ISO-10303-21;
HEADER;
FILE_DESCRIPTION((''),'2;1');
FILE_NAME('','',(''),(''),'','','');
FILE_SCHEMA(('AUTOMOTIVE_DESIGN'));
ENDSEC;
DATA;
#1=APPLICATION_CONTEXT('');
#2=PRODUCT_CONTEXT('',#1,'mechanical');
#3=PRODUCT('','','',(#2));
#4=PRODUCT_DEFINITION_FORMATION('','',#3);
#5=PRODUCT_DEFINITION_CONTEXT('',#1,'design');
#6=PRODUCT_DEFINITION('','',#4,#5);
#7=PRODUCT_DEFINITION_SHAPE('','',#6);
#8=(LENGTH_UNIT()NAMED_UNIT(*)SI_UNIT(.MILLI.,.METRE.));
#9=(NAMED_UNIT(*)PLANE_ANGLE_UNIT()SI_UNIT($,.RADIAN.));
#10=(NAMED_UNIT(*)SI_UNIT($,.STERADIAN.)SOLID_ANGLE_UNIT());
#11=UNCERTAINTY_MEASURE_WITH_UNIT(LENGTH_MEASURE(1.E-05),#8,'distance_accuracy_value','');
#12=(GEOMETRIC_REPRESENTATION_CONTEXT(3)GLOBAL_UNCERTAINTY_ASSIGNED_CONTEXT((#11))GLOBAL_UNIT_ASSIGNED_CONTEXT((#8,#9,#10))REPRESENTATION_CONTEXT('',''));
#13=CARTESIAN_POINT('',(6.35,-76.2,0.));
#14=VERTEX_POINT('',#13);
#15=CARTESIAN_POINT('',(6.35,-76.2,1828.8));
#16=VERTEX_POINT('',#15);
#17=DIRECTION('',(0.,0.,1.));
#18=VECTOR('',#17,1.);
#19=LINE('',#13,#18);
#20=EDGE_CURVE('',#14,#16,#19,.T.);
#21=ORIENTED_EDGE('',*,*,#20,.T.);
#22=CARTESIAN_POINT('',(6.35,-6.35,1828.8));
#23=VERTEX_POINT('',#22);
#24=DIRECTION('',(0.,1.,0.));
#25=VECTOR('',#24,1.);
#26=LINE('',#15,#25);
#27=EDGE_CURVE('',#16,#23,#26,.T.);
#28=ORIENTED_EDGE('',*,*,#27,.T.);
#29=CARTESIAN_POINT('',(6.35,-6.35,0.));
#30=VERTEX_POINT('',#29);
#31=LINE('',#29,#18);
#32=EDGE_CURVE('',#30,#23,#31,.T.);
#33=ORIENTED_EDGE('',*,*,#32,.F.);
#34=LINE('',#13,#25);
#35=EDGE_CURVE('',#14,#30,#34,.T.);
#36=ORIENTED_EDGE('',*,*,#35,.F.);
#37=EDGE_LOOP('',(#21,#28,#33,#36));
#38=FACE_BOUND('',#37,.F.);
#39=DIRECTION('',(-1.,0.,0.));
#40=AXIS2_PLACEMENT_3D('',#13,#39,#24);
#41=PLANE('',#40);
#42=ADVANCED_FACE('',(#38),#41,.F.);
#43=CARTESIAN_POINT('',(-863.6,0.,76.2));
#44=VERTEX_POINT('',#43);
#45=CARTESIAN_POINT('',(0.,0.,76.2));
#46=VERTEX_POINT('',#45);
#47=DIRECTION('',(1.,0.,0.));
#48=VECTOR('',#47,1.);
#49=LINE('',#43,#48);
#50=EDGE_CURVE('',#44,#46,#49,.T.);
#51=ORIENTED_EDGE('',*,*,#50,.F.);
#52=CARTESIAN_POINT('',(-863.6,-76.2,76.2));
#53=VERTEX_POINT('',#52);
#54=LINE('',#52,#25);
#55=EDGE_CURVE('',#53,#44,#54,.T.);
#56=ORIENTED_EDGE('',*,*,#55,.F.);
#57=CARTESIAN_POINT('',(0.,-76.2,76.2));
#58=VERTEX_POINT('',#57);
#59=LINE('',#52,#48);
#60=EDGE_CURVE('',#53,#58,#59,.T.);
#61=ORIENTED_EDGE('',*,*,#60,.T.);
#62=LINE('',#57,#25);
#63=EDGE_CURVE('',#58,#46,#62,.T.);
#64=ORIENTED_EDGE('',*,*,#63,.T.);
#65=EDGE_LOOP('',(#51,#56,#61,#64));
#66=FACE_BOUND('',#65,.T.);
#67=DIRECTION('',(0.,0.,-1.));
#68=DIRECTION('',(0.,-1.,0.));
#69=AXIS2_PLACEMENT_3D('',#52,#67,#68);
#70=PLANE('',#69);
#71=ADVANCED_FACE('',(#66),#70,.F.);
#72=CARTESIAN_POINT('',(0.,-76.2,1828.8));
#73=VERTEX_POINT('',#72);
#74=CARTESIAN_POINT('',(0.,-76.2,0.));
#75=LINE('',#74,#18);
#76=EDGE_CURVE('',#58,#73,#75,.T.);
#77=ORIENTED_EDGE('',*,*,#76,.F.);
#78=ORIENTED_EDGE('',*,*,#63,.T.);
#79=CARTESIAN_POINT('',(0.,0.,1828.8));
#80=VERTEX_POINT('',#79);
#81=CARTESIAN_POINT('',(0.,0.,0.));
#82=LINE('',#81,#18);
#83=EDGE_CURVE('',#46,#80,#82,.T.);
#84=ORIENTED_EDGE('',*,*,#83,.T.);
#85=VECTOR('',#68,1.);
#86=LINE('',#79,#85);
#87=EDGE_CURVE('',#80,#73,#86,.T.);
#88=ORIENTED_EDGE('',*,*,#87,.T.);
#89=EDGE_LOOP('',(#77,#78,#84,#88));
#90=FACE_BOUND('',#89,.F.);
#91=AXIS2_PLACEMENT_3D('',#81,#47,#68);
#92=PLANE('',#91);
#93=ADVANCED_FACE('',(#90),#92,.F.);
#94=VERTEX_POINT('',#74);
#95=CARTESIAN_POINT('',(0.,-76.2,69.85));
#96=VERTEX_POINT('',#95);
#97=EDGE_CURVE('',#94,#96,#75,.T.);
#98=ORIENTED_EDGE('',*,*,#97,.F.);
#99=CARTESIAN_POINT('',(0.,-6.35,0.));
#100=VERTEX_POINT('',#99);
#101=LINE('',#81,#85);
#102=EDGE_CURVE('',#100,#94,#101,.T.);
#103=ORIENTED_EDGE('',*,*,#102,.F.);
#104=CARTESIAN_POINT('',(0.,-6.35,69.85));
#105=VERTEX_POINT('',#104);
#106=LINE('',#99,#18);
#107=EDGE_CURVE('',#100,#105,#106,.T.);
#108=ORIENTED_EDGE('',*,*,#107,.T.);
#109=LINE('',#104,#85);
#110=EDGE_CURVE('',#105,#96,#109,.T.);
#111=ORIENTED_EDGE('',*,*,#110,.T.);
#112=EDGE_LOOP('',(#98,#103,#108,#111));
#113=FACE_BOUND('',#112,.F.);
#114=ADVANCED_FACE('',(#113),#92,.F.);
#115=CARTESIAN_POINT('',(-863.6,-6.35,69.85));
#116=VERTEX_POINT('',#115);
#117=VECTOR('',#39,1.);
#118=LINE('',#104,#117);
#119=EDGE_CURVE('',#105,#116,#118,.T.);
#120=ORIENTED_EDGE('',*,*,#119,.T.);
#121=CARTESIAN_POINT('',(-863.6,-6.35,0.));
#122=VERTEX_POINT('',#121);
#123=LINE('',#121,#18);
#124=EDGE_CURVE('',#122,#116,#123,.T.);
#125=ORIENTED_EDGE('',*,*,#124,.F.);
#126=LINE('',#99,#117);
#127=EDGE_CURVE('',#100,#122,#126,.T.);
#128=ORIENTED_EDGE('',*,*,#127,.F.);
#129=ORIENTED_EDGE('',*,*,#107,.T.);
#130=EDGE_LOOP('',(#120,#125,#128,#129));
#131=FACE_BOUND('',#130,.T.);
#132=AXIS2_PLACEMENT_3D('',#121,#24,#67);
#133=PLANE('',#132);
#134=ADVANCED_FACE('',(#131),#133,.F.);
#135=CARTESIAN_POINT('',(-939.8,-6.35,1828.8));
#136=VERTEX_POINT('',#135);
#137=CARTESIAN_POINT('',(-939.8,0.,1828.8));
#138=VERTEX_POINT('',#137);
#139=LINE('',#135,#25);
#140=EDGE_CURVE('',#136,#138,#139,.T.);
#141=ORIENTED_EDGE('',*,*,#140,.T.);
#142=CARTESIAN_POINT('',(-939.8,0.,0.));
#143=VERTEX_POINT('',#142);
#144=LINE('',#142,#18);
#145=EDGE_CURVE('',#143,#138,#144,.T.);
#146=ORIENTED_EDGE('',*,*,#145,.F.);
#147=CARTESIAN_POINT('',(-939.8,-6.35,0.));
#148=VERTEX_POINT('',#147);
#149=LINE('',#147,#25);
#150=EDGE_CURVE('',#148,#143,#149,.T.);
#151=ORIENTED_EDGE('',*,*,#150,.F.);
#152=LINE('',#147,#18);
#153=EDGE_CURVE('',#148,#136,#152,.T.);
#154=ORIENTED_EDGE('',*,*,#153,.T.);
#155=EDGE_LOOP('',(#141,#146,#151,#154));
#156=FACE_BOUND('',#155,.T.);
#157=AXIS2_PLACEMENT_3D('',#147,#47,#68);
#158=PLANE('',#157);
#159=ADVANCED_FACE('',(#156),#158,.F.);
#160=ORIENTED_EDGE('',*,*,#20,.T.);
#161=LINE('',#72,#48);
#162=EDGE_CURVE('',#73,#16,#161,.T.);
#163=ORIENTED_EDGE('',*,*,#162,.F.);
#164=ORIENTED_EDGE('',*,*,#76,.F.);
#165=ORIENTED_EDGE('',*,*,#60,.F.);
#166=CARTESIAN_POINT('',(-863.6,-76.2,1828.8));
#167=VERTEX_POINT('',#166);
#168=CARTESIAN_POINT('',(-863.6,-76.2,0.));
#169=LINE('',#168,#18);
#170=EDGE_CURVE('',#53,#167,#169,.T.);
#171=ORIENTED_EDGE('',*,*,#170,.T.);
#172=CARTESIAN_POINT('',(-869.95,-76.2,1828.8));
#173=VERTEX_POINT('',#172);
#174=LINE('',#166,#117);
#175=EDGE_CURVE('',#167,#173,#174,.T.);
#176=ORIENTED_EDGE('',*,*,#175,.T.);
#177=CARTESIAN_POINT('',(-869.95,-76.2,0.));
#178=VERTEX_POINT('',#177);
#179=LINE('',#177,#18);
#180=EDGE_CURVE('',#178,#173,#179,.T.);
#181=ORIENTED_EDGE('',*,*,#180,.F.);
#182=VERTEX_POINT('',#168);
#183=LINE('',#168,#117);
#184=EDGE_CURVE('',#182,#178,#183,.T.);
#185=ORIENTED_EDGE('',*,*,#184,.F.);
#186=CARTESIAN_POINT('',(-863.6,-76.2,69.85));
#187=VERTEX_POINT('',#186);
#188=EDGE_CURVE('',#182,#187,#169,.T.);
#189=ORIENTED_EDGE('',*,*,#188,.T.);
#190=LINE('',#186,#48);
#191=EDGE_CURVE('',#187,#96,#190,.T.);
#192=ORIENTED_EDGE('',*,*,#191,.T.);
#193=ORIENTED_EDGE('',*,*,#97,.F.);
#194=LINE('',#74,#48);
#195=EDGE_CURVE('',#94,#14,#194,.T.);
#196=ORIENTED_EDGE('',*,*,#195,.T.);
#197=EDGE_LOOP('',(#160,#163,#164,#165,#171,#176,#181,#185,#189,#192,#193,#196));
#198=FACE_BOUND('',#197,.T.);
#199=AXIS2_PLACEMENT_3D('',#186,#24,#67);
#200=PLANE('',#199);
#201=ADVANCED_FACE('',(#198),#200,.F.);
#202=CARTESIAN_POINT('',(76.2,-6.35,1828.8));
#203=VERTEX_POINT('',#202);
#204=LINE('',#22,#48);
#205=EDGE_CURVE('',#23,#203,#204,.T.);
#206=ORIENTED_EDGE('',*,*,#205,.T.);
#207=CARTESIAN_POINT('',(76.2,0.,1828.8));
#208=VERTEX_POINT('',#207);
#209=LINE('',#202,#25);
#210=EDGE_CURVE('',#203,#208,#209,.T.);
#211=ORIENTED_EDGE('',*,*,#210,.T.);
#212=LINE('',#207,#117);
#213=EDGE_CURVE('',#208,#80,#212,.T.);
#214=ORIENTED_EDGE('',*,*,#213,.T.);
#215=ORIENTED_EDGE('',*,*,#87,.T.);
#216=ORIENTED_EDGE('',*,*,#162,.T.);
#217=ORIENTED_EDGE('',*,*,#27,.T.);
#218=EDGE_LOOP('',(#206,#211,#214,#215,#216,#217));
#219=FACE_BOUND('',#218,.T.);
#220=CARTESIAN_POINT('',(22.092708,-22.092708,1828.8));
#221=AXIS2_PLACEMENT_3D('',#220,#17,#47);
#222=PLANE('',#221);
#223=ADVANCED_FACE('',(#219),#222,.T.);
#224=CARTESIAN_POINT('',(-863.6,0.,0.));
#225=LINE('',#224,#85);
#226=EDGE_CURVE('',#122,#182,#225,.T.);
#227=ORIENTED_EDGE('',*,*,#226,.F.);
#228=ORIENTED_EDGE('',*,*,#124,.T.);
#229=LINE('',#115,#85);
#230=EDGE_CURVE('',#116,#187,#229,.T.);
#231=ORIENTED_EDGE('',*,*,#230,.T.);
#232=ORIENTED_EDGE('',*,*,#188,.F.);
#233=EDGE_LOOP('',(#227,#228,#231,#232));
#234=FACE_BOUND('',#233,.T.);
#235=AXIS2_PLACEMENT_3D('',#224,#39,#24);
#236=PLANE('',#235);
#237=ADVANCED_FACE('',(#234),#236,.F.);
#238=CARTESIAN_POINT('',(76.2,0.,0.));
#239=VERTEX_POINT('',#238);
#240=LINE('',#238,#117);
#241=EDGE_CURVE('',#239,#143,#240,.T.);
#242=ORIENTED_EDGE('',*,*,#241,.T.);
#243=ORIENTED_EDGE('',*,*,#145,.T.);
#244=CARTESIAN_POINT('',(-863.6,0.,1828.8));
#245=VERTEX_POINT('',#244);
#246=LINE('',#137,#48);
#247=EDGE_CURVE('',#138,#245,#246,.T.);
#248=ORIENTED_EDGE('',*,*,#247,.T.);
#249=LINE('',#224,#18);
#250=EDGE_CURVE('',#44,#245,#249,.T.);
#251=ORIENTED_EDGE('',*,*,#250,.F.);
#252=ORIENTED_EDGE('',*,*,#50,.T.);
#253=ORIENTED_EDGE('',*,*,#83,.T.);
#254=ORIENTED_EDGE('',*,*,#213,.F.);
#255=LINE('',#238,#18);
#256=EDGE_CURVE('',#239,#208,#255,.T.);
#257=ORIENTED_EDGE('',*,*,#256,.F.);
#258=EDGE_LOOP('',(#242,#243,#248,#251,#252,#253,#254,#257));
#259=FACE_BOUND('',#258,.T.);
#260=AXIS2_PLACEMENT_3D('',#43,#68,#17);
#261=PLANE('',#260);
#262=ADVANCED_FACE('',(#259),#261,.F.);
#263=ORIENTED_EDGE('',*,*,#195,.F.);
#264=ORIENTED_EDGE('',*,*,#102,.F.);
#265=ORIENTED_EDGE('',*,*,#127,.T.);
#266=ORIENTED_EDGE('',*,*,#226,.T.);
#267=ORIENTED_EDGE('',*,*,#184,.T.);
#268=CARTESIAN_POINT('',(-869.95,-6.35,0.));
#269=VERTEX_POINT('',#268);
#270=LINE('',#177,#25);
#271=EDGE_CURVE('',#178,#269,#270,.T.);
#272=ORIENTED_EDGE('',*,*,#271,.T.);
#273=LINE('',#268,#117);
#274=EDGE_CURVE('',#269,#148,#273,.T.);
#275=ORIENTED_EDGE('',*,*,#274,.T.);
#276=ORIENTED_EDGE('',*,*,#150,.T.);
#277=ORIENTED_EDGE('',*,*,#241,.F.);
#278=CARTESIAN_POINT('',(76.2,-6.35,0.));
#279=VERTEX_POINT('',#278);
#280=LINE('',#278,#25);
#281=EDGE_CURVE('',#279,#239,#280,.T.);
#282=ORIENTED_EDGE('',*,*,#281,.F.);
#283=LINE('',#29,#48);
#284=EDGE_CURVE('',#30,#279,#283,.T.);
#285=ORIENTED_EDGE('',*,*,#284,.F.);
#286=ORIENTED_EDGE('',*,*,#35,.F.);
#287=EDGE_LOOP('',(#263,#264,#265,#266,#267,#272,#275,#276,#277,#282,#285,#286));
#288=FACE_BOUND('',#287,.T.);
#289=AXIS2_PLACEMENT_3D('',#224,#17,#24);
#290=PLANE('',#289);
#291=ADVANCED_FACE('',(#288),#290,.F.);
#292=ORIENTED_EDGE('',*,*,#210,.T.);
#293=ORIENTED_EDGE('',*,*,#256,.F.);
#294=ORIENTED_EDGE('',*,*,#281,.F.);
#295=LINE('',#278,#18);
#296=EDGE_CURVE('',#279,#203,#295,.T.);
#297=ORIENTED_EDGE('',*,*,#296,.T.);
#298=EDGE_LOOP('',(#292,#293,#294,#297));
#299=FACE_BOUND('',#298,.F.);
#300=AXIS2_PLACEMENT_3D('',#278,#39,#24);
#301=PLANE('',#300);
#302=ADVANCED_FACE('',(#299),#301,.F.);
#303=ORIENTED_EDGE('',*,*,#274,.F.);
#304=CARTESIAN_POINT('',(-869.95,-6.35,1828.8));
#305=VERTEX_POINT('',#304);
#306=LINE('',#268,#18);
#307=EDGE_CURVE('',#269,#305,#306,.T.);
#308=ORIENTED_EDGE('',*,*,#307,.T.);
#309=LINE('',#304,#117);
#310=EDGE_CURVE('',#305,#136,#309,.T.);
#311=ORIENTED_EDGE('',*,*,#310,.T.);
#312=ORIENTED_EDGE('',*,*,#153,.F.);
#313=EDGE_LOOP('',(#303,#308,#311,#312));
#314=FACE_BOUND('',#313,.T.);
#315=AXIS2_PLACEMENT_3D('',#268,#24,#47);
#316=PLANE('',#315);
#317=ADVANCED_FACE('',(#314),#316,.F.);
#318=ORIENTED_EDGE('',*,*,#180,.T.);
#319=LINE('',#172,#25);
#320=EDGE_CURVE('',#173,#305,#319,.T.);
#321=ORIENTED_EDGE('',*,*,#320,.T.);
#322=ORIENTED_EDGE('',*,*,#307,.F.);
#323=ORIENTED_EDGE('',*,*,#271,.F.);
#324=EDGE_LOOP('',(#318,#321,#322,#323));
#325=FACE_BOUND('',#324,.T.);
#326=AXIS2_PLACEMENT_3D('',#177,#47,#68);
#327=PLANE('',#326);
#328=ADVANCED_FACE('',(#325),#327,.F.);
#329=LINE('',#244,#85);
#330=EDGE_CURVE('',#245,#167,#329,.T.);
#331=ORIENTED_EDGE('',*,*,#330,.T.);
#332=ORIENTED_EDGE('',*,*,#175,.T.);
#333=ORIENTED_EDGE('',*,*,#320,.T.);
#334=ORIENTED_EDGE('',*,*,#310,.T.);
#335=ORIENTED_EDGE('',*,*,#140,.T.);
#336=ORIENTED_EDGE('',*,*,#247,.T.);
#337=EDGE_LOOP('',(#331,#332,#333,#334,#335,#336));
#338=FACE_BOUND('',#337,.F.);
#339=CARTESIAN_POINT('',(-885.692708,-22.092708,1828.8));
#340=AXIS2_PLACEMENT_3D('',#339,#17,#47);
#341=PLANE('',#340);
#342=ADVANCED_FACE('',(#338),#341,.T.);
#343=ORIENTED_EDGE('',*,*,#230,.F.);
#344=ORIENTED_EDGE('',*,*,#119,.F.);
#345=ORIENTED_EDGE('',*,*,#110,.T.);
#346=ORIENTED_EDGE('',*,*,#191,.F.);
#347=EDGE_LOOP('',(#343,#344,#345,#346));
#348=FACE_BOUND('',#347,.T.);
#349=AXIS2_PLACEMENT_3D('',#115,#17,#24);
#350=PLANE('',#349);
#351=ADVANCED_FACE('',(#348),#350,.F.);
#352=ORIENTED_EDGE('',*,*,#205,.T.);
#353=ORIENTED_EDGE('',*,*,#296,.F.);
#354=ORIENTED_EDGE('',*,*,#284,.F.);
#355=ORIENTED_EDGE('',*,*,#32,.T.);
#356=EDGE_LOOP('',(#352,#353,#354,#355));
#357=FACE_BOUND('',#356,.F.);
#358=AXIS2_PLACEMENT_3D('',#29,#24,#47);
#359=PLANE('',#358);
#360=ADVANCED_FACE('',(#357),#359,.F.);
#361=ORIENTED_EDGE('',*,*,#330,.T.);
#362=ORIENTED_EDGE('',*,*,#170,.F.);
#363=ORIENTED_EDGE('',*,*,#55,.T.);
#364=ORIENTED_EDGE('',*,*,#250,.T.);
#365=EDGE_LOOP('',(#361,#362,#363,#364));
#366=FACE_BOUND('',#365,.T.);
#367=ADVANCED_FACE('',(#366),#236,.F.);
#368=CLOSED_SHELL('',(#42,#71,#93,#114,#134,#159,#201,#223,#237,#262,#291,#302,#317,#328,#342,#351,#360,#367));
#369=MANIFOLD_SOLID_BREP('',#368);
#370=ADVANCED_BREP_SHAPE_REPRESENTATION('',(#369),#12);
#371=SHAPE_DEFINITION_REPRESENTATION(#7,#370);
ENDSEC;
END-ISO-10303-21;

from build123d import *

# Parameters (mm, degrees)
F1_DEPTH = 1828.8
F3_DEPTH = 431.8


with BuildPart() as f1:
    # F0 (on Top) → F1 (new body)
    with BuildSketch(Plane.XY):
        Polygon((0, 0), (0, -76.2), (6.35, -76.2), (6.35, -6.35), (76.2, -6.35), (76.2, 0), align=None)
    extrude(amount=F1_DEPTH)

    # F2 (on face) → F3 (join)
    with BuildSketch(Plane(origin=(0, 0, 0), x_dir=(0, -1, 0), z_dir=(-1, 0, 0))):
        Polygon((0, 76.2), (0, 0), (6.35, 0), (6.35, 69.85), (76.2, 69.85), (76.2, 76.2), align=None)
    extrude(amount=F3_DEPTH)

    # F4: F1 across face


with BuildPart() as f1_1:
    add(f1.part)
    add(f1.part.mirror(Plane(origin=(-431.8, -21.396739, 54.803261), x_dir=(0, -1, 0), z_dir=(-1, 0, 0))))


solid = f1_1.part
